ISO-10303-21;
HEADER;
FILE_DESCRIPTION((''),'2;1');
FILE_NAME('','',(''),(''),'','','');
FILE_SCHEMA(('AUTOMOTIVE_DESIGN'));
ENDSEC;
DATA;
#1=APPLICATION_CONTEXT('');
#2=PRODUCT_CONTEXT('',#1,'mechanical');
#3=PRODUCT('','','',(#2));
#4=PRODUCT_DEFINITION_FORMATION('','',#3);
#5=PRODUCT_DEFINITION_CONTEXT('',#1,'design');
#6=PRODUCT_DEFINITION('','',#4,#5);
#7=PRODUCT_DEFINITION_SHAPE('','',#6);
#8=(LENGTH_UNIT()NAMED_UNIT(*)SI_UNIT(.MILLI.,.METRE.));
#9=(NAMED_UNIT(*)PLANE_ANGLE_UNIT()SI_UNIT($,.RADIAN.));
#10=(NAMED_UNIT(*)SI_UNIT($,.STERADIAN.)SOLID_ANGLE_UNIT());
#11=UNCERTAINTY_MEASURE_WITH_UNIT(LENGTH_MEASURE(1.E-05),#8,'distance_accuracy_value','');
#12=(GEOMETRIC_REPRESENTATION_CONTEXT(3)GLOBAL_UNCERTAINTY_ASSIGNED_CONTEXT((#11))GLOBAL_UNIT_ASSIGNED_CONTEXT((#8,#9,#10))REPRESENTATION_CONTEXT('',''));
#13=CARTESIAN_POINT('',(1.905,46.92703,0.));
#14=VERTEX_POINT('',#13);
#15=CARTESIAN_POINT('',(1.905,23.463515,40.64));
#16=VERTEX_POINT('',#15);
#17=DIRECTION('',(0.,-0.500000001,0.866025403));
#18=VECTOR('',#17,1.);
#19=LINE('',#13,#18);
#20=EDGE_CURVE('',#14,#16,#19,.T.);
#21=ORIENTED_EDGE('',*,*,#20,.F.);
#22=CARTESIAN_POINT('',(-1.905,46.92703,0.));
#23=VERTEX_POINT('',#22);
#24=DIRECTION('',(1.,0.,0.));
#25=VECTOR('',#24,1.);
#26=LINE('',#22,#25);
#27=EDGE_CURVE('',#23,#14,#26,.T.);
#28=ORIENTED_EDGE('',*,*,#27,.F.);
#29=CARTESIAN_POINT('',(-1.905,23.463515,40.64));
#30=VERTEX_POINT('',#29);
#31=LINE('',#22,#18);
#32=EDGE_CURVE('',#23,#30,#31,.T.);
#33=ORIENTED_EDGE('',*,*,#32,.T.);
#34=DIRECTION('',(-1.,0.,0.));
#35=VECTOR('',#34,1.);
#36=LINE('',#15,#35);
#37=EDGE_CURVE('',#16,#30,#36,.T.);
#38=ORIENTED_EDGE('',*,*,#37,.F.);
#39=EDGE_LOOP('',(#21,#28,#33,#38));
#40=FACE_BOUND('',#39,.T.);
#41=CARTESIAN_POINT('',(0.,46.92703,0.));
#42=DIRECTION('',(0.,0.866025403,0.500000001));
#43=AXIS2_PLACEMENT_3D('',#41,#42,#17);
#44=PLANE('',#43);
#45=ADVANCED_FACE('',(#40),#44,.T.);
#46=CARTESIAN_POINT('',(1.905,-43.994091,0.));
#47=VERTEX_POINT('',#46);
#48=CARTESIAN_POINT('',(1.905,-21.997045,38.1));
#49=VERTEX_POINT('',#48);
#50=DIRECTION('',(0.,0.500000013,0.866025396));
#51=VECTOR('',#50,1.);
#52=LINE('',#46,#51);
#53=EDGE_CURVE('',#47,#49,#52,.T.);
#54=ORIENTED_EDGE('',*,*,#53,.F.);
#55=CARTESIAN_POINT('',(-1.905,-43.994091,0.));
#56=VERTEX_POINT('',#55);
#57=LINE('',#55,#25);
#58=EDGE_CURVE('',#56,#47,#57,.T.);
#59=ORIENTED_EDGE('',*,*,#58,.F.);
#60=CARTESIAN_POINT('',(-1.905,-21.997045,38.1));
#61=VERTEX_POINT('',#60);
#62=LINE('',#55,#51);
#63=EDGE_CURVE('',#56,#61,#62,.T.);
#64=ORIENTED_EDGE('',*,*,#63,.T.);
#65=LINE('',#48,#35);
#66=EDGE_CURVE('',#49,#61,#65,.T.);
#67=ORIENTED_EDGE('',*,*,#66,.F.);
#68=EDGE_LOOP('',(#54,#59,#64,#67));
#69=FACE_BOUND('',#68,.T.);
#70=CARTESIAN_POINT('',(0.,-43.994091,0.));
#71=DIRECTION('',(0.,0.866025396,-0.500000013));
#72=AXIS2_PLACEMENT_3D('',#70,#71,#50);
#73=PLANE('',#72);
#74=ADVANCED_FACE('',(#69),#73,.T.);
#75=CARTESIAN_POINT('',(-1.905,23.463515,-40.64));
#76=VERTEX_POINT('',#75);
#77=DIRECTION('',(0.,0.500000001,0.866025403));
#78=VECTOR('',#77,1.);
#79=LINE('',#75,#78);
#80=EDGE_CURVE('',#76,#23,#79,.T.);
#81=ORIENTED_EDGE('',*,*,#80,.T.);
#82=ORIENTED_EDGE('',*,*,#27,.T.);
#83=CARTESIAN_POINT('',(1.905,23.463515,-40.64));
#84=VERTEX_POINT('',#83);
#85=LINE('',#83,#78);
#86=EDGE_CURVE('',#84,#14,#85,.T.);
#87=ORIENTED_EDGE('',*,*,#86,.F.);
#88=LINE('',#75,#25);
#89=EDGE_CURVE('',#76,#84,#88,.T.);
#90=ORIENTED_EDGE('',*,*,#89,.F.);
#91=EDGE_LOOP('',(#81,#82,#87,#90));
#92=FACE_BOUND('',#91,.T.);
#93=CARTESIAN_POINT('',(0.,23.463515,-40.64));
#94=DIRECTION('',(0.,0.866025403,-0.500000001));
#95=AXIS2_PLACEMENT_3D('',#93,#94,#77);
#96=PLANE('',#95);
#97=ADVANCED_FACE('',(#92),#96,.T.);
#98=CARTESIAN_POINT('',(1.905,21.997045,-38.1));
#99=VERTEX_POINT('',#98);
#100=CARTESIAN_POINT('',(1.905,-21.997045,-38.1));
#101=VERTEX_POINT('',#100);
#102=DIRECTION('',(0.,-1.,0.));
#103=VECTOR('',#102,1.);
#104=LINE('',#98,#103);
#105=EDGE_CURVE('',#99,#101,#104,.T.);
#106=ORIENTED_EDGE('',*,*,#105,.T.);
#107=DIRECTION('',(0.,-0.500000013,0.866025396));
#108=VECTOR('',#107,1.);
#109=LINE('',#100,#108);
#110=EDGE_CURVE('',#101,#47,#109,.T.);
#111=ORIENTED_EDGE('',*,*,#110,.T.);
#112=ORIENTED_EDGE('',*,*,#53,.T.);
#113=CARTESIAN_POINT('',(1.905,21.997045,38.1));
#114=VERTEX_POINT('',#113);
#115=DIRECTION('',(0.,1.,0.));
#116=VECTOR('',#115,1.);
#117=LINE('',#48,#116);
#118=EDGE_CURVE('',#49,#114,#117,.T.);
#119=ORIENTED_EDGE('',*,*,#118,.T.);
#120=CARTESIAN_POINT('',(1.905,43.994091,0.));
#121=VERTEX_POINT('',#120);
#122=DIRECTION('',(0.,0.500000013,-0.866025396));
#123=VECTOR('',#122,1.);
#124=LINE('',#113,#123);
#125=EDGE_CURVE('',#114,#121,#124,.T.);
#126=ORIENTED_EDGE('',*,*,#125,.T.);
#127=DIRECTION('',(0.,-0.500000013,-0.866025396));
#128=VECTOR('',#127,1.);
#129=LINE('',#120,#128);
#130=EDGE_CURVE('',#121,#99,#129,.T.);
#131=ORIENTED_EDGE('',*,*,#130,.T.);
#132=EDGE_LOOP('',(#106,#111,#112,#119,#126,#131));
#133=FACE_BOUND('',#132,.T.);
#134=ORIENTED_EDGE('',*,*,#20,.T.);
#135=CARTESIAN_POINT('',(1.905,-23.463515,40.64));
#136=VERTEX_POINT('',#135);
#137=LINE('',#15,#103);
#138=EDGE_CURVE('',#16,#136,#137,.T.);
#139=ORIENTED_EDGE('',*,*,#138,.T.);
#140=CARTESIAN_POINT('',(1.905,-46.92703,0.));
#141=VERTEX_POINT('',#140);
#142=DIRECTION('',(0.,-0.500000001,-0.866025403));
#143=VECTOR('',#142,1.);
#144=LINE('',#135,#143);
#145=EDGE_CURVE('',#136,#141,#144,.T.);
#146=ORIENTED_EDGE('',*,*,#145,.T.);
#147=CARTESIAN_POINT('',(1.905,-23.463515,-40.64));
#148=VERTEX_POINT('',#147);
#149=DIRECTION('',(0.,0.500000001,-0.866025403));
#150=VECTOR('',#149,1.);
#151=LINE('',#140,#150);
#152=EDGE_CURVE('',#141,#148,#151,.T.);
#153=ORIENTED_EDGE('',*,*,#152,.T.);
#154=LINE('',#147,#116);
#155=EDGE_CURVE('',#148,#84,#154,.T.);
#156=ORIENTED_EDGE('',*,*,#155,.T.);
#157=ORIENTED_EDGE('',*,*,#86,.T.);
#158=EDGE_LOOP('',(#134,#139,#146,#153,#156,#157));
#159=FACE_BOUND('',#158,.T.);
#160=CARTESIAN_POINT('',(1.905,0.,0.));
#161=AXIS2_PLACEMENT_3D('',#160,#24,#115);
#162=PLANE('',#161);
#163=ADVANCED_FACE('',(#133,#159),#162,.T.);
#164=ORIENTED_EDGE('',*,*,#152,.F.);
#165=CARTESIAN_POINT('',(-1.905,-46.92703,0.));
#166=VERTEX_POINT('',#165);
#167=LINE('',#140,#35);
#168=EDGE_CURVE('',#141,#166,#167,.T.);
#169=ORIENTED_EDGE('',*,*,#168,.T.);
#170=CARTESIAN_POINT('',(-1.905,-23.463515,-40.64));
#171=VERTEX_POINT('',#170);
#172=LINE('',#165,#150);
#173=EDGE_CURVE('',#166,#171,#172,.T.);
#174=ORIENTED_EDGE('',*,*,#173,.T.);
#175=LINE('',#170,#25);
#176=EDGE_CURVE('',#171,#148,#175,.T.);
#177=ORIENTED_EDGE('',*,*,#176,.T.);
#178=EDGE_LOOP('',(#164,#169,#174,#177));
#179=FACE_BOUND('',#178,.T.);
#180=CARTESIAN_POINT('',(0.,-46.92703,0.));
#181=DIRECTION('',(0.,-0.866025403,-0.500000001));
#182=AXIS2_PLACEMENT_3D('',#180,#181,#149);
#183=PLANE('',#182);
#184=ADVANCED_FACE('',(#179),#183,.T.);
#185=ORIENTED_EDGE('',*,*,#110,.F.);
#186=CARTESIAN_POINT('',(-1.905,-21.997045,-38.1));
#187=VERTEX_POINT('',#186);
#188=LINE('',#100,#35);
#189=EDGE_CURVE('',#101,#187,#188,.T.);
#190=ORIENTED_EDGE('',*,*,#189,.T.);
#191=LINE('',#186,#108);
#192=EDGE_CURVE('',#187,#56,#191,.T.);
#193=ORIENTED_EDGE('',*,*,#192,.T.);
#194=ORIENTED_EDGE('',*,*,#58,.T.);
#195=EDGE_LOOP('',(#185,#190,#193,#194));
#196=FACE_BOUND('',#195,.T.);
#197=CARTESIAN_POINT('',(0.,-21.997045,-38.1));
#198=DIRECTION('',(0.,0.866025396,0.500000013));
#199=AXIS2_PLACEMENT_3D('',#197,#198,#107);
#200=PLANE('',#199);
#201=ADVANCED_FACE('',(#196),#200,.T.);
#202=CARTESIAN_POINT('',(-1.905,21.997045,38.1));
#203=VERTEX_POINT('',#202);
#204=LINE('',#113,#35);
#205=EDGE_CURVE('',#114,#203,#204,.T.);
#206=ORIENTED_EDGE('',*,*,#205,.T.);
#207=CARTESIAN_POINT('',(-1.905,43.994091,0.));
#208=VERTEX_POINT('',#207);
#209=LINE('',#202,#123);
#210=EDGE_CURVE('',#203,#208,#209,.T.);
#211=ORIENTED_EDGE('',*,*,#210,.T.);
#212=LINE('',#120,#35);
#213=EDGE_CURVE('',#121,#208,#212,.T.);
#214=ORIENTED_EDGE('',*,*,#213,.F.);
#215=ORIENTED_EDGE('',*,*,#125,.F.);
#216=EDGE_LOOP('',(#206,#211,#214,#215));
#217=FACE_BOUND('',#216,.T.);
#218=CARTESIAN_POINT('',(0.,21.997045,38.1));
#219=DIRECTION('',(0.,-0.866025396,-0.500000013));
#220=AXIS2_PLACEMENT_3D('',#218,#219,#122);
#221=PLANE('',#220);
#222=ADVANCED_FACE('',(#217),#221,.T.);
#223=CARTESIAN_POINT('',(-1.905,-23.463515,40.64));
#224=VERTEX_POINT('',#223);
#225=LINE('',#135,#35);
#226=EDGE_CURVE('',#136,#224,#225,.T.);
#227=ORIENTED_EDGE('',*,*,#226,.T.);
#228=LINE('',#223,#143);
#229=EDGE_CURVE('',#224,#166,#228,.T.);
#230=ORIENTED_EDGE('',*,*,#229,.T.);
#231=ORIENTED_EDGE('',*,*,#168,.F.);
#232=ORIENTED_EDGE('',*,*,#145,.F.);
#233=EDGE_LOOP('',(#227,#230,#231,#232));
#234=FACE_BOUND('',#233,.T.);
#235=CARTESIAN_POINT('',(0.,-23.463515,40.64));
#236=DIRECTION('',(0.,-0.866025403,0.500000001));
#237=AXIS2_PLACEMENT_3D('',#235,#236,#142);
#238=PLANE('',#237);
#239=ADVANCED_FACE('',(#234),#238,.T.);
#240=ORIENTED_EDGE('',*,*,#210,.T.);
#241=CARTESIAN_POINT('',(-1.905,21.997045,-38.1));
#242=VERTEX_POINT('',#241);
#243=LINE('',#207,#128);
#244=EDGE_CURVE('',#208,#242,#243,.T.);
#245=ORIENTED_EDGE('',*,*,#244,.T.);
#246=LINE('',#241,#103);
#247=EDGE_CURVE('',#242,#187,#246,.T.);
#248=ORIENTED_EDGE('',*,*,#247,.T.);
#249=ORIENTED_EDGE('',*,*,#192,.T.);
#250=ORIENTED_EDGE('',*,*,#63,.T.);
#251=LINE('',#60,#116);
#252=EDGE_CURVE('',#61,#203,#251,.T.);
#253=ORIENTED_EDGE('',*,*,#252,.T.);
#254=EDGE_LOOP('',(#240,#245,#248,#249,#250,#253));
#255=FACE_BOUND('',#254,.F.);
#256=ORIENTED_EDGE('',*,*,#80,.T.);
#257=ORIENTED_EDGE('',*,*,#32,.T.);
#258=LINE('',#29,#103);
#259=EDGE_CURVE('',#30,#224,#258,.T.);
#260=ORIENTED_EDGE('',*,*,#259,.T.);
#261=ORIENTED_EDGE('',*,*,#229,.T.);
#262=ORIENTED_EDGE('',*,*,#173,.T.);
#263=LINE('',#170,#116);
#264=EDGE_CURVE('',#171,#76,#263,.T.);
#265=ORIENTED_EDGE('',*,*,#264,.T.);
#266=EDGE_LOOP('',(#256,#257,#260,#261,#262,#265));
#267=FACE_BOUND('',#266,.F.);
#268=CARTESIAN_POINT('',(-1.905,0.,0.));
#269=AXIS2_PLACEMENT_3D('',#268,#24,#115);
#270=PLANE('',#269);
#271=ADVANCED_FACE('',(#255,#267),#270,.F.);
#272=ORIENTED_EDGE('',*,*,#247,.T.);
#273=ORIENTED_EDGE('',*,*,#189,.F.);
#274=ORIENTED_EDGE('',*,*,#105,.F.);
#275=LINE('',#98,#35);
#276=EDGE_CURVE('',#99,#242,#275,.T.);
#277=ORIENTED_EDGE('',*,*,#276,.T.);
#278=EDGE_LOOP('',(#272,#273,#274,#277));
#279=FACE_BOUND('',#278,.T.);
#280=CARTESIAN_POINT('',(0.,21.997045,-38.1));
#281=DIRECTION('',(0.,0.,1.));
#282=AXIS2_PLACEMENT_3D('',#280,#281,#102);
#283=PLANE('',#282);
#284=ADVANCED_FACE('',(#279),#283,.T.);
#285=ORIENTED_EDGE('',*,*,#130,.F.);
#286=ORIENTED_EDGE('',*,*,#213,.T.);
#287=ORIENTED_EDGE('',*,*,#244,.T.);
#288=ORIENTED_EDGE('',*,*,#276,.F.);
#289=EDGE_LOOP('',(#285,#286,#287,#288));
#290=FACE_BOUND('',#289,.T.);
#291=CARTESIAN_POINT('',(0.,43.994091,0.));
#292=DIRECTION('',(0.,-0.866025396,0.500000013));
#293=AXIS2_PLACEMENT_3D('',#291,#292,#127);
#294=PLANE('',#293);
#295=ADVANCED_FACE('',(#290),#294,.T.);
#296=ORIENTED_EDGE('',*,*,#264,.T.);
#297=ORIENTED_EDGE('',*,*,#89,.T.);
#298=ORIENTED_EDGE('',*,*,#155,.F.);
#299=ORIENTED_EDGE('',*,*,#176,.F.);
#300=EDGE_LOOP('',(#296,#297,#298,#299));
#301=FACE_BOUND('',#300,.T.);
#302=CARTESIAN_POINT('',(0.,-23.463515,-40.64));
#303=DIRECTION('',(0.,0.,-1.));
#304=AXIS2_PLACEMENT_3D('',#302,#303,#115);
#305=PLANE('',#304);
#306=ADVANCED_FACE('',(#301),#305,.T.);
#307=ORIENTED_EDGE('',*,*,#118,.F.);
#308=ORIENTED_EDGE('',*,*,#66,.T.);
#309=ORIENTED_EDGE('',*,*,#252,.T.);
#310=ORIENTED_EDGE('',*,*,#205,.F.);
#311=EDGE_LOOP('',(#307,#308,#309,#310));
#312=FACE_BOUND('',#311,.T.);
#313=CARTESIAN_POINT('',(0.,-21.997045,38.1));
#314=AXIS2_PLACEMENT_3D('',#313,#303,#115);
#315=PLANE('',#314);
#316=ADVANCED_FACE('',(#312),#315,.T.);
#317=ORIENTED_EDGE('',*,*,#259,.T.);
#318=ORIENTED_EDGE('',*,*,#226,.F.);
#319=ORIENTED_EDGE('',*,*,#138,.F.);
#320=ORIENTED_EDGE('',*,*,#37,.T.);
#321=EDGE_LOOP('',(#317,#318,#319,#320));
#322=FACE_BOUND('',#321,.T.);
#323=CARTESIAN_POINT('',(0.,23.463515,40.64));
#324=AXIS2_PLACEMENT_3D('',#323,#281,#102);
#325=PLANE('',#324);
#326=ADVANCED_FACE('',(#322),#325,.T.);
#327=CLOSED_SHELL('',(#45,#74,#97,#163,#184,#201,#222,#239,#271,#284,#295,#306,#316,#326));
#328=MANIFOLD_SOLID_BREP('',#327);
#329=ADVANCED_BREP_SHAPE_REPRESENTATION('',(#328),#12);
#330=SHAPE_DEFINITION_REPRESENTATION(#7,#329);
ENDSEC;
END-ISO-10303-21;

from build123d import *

# Parameters (mm, degrees)
F1_DEPTH = 1.905


with BuildPart() as f1:
    # F0 (on Right) → F1 (new body, symmetric)
    with BuildSketch(Plane.YZ):
        Polygon((-46.92703, 0), (-23.463515, -40.64), (23.463515, -40.64), (46.92703, 0), (23.463515, 40.64), (-23.463515, 40.64), align=None)
        Polygon((-43.994091, 0), (-21.997045, 38.1), (21.997045, 38.1), (43.994091, 0), (21.997045, -38.1), (-21.997045, -38.1), align=None, mode=Mode.SUBTRACT)
    extrude(amount=F1_DEPTH, both=True)


solid = f1.part
